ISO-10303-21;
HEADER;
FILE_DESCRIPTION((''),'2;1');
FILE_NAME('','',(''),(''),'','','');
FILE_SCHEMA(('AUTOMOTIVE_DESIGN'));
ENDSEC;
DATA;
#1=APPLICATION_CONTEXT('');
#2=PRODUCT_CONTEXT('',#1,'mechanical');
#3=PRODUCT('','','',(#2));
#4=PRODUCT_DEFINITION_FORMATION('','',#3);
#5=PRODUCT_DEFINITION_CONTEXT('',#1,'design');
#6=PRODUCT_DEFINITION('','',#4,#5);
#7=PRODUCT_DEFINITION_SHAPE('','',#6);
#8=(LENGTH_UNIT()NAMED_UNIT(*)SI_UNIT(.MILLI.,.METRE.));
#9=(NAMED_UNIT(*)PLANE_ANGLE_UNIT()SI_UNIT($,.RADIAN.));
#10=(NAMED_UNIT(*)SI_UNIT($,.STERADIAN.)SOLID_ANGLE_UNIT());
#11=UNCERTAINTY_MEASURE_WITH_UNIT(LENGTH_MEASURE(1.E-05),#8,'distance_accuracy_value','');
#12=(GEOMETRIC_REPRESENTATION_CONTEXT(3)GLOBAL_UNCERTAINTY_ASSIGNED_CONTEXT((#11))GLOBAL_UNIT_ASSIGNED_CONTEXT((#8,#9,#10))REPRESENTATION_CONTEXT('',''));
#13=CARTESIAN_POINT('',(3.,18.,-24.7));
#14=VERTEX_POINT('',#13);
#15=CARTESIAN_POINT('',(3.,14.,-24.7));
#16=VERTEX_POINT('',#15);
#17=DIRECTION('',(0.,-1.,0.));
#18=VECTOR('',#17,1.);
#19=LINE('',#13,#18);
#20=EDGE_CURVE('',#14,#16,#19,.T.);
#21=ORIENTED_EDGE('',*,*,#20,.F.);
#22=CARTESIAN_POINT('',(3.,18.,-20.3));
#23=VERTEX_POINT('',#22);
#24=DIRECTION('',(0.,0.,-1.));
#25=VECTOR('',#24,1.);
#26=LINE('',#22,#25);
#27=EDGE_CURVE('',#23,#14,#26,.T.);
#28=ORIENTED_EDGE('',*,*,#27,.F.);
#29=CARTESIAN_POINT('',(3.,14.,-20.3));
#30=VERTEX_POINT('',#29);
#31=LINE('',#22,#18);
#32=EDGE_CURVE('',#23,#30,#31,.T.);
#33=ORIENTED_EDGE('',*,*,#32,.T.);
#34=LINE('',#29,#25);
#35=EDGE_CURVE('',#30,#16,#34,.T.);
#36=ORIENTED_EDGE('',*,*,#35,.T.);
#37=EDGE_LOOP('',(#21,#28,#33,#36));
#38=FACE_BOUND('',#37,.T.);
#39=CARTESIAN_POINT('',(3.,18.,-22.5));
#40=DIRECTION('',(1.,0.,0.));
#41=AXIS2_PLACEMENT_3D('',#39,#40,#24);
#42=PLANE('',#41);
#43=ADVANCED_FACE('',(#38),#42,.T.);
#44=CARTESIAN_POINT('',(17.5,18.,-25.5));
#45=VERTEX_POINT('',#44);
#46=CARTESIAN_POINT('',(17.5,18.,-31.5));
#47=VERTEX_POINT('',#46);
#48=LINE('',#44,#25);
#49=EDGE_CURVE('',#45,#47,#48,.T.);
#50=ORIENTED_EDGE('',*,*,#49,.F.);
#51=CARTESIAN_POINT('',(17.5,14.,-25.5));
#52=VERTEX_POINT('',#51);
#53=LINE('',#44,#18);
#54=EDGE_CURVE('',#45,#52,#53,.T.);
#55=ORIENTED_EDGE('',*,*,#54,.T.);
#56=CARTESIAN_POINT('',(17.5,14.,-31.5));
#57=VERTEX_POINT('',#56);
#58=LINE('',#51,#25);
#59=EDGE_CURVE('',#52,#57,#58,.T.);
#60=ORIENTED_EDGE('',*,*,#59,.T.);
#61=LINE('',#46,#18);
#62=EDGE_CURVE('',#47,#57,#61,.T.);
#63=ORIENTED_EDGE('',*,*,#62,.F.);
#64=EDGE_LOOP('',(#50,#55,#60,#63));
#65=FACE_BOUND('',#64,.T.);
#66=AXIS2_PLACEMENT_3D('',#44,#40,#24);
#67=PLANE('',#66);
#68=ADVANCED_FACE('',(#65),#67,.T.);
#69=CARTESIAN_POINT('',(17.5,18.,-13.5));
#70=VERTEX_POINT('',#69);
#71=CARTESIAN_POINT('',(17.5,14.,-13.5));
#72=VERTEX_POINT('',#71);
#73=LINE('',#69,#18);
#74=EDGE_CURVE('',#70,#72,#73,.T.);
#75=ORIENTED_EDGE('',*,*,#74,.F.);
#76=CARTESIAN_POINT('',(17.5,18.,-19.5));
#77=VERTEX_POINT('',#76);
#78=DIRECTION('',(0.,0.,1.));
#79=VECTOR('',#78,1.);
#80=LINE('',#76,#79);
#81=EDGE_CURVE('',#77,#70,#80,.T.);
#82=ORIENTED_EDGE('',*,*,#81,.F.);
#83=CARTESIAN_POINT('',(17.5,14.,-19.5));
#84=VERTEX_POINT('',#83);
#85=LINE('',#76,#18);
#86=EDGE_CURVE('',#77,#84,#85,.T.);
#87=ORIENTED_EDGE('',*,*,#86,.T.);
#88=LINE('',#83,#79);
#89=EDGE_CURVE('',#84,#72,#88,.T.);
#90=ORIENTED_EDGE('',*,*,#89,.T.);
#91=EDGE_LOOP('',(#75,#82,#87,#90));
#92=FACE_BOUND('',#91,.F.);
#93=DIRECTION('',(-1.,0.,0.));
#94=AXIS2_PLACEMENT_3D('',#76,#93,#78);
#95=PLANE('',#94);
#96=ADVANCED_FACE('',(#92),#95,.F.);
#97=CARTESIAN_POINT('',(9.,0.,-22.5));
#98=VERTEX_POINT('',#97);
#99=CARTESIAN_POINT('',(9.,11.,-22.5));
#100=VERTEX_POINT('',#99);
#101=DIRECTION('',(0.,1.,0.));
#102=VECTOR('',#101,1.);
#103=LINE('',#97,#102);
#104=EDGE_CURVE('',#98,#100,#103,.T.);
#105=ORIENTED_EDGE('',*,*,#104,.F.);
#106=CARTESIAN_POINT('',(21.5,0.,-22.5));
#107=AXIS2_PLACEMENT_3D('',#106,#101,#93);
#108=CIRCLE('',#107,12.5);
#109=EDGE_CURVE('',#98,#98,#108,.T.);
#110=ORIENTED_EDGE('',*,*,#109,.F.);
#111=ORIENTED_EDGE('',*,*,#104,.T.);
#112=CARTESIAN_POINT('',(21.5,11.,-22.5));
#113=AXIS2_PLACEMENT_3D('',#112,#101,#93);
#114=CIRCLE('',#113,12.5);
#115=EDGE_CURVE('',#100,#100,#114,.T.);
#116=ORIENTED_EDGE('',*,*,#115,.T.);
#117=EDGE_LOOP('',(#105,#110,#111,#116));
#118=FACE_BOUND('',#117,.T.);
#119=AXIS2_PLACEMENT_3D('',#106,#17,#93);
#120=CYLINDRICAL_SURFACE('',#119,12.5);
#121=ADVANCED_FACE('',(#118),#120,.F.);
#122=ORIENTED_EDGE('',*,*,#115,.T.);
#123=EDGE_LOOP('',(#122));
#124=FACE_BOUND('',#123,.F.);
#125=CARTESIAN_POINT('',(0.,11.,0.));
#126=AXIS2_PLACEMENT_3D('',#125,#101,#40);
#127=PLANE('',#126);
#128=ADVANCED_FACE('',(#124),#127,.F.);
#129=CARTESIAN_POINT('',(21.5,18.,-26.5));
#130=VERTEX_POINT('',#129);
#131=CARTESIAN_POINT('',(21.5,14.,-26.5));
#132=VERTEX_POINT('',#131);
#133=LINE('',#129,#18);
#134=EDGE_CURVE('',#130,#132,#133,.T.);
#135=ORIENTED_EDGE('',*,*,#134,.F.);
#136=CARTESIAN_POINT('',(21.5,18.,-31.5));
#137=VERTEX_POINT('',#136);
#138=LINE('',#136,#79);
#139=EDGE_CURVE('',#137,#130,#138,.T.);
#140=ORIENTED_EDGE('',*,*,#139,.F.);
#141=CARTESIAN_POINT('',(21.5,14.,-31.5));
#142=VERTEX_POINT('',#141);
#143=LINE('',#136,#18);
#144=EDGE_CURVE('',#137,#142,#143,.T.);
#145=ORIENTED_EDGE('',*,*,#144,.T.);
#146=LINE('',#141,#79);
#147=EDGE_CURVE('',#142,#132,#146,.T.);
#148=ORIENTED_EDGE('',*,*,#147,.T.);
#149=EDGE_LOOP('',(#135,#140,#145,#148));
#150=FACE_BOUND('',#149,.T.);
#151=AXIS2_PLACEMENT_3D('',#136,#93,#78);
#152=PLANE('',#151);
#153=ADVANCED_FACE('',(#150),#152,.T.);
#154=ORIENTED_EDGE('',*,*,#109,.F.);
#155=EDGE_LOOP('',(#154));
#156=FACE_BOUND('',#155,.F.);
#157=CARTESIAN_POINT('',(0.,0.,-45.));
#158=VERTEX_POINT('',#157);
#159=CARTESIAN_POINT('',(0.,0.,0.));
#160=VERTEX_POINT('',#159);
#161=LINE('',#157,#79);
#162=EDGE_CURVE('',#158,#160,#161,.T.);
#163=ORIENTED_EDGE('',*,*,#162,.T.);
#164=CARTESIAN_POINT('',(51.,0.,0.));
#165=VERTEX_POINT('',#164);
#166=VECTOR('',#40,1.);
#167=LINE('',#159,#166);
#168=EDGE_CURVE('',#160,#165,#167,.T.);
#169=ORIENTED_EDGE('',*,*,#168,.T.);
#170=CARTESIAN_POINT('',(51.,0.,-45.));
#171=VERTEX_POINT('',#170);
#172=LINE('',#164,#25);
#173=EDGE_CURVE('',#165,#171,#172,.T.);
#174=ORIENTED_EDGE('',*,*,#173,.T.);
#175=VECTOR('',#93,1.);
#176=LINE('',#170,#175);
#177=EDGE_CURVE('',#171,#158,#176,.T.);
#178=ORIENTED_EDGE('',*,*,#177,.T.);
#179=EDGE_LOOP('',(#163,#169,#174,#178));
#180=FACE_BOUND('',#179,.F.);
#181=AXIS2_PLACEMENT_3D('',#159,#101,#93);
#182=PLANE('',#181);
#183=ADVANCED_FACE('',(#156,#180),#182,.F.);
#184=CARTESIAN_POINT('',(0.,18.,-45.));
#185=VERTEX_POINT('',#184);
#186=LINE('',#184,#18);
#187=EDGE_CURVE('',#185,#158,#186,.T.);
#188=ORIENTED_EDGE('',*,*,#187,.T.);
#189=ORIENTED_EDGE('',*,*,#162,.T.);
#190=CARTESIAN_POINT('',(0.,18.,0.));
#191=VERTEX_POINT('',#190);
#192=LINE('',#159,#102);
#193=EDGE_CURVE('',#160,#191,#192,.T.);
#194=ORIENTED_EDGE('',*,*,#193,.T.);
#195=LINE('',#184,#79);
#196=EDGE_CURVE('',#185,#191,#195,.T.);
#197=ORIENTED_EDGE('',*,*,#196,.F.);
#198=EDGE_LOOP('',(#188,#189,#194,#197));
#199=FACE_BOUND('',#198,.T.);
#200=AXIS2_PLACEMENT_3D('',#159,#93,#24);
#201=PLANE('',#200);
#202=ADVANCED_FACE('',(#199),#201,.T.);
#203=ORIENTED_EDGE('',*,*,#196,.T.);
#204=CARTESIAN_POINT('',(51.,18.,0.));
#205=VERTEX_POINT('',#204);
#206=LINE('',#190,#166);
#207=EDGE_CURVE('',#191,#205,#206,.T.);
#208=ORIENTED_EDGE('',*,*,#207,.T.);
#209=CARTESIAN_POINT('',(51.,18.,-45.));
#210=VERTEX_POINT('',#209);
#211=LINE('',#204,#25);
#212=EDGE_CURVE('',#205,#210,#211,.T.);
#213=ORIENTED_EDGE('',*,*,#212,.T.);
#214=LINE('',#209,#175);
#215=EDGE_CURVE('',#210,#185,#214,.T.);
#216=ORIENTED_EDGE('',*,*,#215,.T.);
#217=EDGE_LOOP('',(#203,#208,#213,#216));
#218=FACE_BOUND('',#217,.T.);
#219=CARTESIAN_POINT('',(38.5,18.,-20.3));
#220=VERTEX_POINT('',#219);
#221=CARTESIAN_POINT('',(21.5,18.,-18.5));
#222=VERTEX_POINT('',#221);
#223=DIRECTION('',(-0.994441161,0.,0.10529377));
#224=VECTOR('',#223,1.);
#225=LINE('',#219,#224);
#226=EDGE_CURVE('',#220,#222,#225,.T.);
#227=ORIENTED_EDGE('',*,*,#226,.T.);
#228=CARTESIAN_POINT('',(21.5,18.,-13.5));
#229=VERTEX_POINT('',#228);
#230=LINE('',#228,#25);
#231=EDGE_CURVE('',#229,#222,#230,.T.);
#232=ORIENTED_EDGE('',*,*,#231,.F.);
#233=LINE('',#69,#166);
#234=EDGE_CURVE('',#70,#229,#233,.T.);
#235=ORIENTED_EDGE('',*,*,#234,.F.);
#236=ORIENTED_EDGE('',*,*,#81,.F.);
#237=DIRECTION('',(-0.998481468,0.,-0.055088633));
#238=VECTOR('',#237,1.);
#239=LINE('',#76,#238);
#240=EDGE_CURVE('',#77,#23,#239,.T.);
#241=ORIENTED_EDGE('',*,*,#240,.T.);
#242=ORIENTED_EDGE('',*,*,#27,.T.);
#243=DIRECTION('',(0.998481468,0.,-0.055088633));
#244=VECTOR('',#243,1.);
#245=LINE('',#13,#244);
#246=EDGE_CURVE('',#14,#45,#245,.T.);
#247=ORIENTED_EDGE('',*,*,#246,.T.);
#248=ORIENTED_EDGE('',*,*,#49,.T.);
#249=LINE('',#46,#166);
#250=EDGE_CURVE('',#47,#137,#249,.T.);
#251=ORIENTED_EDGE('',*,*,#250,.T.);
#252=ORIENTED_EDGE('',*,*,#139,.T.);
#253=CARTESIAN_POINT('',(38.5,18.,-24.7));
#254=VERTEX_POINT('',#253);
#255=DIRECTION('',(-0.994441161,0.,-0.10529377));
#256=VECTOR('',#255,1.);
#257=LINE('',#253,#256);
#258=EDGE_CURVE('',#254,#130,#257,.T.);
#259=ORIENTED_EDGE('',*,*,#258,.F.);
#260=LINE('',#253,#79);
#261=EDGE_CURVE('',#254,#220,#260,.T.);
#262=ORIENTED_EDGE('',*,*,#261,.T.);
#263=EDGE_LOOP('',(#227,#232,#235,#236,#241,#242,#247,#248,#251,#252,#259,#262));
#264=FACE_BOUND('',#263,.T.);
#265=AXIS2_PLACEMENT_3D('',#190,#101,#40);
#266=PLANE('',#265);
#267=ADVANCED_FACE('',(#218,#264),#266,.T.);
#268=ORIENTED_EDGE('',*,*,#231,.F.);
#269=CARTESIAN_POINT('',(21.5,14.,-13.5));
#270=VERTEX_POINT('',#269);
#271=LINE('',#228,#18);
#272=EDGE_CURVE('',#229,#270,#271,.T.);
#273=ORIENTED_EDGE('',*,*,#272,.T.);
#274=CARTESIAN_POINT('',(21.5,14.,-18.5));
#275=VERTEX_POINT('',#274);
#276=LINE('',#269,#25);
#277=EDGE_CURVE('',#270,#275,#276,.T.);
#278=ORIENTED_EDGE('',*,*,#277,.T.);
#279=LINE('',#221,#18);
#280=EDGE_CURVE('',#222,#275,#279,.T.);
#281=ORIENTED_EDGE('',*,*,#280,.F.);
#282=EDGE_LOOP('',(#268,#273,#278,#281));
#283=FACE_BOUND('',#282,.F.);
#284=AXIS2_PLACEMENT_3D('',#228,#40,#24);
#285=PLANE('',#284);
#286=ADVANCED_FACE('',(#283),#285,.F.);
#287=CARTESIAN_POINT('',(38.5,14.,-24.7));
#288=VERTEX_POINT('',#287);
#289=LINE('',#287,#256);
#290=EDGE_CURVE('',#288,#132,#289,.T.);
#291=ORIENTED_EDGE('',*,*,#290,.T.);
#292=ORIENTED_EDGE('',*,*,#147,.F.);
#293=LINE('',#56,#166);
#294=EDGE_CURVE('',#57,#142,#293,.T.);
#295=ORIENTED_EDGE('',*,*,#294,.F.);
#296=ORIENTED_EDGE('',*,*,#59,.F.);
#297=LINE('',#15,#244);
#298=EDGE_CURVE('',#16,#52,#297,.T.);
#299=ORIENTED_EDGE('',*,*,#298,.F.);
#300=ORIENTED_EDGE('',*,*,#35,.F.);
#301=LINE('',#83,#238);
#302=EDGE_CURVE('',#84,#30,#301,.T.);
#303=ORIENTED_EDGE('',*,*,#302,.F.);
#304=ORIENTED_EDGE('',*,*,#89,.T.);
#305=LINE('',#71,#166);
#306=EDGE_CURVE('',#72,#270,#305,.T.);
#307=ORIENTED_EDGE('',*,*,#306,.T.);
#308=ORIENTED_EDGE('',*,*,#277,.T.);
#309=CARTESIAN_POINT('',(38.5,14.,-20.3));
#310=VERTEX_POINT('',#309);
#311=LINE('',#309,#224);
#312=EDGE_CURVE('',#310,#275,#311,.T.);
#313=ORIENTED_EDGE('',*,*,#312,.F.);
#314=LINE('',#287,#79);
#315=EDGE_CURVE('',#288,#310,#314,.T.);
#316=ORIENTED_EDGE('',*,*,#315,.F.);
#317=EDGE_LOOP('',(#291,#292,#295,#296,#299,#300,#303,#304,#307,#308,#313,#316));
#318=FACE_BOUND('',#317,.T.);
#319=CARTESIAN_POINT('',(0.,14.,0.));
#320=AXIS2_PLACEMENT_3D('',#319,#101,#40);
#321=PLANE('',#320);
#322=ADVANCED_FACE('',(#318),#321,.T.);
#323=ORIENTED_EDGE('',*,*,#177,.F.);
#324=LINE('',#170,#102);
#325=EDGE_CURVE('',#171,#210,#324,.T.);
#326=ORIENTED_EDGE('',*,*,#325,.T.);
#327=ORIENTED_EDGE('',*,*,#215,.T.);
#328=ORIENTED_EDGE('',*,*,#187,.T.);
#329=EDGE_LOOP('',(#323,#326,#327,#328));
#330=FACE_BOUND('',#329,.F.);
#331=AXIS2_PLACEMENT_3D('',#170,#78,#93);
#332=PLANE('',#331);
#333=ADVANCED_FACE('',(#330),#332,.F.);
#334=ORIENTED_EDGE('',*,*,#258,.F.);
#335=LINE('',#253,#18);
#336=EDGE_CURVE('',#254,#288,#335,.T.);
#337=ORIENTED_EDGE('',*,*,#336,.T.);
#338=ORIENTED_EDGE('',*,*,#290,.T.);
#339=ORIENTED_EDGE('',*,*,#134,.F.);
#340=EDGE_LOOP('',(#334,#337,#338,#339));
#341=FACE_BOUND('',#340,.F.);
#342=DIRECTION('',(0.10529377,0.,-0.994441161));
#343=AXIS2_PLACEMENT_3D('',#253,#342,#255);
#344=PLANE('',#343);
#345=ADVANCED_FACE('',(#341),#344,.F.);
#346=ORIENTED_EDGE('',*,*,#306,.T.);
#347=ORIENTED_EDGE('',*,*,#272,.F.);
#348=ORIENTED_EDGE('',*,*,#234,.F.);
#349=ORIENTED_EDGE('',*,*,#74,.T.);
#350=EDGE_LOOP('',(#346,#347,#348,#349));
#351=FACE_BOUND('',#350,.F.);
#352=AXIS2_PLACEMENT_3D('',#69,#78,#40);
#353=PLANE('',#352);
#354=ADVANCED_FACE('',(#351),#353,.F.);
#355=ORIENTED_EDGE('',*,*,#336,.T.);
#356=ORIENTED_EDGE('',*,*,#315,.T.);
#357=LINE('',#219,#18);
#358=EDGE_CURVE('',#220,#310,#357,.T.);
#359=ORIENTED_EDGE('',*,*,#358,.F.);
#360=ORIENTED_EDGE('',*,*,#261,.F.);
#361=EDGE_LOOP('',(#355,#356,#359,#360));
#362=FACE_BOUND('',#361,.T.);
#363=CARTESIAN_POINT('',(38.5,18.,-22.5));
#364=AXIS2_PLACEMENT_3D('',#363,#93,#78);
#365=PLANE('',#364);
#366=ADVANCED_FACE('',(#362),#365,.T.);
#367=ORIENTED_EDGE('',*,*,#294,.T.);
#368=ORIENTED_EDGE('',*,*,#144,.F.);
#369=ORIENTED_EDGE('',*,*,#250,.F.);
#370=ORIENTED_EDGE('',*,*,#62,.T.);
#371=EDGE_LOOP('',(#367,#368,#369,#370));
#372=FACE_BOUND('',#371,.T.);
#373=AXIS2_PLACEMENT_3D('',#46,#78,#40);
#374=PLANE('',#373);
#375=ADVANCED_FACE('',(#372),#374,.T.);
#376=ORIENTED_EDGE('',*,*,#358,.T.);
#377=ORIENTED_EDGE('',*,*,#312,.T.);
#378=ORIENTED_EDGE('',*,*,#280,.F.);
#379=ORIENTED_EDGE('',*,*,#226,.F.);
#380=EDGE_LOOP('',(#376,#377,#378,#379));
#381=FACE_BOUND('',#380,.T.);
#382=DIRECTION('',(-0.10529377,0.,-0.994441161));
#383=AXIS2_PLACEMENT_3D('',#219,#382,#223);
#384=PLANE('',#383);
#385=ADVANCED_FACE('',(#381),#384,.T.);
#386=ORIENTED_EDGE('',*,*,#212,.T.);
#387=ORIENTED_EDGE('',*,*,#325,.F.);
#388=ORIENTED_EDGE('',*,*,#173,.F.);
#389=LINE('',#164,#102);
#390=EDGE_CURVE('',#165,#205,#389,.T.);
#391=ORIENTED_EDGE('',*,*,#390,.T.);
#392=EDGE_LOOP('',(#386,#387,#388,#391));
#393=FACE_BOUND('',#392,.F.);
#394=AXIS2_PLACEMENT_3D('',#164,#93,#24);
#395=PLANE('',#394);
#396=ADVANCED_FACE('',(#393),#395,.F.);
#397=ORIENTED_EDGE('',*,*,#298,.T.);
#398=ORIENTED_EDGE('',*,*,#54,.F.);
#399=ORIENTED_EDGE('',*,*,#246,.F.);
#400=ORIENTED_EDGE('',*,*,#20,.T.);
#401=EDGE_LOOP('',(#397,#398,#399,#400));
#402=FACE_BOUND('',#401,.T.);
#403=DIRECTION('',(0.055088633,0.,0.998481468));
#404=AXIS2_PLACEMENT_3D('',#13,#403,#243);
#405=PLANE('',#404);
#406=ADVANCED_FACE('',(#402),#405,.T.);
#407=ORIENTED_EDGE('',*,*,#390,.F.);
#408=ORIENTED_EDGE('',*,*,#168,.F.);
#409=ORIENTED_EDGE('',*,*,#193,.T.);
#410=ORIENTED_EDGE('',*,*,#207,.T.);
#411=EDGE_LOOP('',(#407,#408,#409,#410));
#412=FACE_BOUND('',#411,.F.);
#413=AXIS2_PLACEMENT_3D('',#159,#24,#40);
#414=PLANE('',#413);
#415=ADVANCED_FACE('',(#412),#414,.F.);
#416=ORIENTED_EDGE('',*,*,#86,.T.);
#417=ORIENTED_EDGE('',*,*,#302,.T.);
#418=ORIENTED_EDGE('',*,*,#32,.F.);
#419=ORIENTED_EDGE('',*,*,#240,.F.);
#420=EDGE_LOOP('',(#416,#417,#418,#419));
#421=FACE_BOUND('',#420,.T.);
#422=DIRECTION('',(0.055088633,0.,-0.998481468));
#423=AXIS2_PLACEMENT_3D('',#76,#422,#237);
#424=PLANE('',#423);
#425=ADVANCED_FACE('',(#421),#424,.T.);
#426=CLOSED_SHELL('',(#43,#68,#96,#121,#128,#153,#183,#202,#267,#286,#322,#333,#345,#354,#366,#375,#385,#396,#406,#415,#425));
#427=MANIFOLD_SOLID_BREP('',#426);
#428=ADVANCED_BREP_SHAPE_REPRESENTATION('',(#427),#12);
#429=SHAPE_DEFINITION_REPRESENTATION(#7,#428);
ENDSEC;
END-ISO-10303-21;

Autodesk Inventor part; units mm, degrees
ref_plane "YZ Plane" through (0, 0, 0) normal (1, 0, 0) x (0, 1, 0)
ref_plane "XZ Plane" through (0, 0, 0) normal (0, 1, 0) x (-1, 0, 0)
ref_plane "XY Plane" through (0, 0, 0) normal (0, 0, 1) x (1, 0, 0)
sketch "Sketch1" plane through (0, 0, 0) normal (0, 1, 0) x (-1, 0, 0)
  point P0 (0, 0)
sketch "Sketch2" plane through (0, 0, 0) normal (0, 1, 0) x (-1, 0, 0)
  line L0 (0, 0) -> (-51, 0)
  line L1 (-51, 0) -> (-51, -45)
  line L2 (-51, -45) -> (0, -45)
  line L3 (0, 0) -> (0, -45)
  line L4 (0, -45) -> (0, -22.5)
  circle A0 centre (-21.5, -22.5) radius 12.5
  dimension "d0" = 51
  dimension "d1" = 45
  dimension "d6" = 25
extrude "Extrusion1" add sketch "Sketch2" along normal blind 11
sketch "Sketch3" plane through (0, 11, 0) normal (0, 1, 0) x (1, 0, 0)
  line L0 (0, 45) -> (0, 0) projected
  line L1 (51, 0) -> (51, 45) projected
  line L2 (0, 0) -> (51, 0)
  line L3 (51, 0) -> (51, 45)
  line L4 (51, 45) -> (0, 45)
  line L5 (0, 45) -> (0, 0)
extrude "Extrusion2" add sketch "Sketch3" along normal blind 7
sketch "Sketch4" plane through (0, 18, 0) normal (0, 1, 0) x (1, 0, 0)
  line L0 (0, 45) -> (0, 0) projected
  line L1 (0, 0) -> (51, 0) projected
  line L2 (3, 14) -> (3, 31)
  line L3 (3, 22.5) -> (3, 20.3)
  line L4 (3, 20.3) -> (3, 24.7)
  line L5 (17.5, 19.5) -> (3, 20.3)
  line L6 (3, 24.7) -> (17.5, 25.5)
  line L7 (17.5, 25.5) -> (17.5, 31.5)
  line L8 (17.5, 31.5) -> (21.5, 31.5)
  line L9 (21.5, 31.5) -> (21.5, 26.5)
  line L10 (17.5, 19.5) -> (17.5, 13.5)
  line L11 (17.5, 13.5) -> (21.5, 13.5)
  line L12 (21.5, 13.5) -> (21.5, 18.5)
  line L13 (38.5, 22.5) -> (38.5, 20.3)
  line L14 (38.5, 20.3) -> (38.5, 24.7)
  line L15 (38.5, 24.7) -> (21.5, 26.5)
  line L16 (38.5, 20.3) -> (21.5, 18.5)
  dimension "d13" = 17
  dimension "d14" = 2.2
  dimension "d15" = 4.4
  dimension "d18" = 6
  dimension "d19" = 6
  dimension "d20" = 4
  dimension "d21" = 5
  dimension "d23" = 6
  dimension "d24" = 4
  dimension "d25" = 5
  dimension "d26" = 2.2
  dimension "d27" = 4.4
extrude "Extrusion3" cut sketch "Sketch4" against normal blind 4
properties part number "CameraOverServo"
